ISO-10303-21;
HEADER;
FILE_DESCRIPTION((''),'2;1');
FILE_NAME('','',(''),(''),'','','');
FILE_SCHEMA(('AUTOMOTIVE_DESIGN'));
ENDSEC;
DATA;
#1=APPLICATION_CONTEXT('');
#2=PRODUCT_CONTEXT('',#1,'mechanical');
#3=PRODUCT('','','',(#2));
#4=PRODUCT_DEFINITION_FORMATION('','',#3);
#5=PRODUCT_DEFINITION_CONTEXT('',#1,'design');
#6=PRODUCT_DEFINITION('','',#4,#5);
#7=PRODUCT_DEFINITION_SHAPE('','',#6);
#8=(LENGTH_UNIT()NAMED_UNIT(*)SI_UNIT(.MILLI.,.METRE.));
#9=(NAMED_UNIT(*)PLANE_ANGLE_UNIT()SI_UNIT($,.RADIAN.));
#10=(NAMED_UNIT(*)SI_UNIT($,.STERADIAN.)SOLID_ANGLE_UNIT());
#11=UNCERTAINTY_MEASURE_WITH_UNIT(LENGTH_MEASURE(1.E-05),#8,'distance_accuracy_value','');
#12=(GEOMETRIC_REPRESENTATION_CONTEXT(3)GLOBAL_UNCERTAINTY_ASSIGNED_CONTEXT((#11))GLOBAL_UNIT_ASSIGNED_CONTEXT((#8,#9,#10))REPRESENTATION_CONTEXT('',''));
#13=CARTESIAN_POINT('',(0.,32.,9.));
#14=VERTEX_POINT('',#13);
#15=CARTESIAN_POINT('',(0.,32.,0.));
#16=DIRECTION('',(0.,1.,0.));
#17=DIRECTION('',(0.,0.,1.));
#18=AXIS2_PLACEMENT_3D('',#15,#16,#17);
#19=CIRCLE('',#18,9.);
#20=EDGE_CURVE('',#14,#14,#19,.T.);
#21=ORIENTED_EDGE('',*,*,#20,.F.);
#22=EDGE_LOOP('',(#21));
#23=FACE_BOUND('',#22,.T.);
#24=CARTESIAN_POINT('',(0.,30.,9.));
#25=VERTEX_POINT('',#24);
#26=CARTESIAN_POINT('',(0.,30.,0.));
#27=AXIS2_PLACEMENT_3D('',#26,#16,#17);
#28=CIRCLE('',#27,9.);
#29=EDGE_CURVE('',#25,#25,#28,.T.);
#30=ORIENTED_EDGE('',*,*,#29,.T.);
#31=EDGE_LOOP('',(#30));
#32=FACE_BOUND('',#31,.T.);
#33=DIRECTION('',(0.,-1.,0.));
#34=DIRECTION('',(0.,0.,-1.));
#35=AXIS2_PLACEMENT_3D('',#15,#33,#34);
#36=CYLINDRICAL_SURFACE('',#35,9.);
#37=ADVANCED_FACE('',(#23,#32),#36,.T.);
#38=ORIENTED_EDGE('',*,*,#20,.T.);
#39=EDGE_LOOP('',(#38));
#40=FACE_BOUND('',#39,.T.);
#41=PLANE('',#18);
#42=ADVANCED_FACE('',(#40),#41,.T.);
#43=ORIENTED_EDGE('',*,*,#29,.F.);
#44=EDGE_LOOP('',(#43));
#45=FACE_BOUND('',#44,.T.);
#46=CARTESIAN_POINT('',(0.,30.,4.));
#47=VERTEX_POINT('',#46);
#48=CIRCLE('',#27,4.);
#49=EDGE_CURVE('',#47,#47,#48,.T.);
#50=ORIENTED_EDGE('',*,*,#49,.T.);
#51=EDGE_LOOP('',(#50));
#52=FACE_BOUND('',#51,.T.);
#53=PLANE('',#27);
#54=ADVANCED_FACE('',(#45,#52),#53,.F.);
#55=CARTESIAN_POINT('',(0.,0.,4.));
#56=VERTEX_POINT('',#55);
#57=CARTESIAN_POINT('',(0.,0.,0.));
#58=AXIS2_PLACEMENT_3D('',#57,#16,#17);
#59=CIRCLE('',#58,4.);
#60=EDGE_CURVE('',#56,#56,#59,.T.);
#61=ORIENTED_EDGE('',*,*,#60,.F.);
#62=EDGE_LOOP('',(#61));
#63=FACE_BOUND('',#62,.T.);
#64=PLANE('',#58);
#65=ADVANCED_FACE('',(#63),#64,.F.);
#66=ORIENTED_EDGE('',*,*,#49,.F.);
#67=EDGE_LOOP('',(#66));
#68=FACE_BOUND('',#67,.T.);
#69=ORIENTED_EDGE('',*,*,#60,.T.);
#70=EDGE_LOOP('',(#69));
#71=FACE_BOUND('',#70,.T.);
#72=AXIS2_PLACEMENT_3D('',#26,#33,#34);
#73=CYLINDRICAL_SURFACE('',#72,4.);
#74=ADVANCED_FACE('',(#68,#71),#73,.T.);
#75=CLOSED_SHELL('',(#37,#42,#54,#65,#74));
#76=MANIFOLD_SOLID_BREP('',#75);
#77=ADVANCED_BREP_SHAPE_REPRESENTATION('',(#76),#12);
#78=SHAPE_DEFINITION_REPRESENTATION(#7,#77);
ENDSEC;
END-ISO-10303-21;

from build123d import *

# Parameters (mm, degrees)
SKETCH1_R           = 4
BOSS_EXTRUDE1_DEPTH = 30
SKETCH2_R           = 9
BOSS_EXTRUDE2_DEPTH = 2


with BuildPart() as part:
    # Sketch1 → Boss-Extrude1 (new body)
    with BuildSketch(Plane(origin=(0, 0, 0), x_dir=(1, 0, 0), z_dir=(0, 1, 0))):
        Circle(SKETCH1_R)
    extrude(amount=BOSS_EXTRUDE1_DEPTH)

    # Sketch2 → Boss-Extrude2 (add)
    with BuildSketch(Plane(origin=(0, 30, 0), x_dir=(1, 0, 0), z_dir=(0, 1, 0))):
        Circle(SKETCH2_R)
    extrude(amount=BOSS_EXTRUDE2_DEPTH)


solid = part.part
